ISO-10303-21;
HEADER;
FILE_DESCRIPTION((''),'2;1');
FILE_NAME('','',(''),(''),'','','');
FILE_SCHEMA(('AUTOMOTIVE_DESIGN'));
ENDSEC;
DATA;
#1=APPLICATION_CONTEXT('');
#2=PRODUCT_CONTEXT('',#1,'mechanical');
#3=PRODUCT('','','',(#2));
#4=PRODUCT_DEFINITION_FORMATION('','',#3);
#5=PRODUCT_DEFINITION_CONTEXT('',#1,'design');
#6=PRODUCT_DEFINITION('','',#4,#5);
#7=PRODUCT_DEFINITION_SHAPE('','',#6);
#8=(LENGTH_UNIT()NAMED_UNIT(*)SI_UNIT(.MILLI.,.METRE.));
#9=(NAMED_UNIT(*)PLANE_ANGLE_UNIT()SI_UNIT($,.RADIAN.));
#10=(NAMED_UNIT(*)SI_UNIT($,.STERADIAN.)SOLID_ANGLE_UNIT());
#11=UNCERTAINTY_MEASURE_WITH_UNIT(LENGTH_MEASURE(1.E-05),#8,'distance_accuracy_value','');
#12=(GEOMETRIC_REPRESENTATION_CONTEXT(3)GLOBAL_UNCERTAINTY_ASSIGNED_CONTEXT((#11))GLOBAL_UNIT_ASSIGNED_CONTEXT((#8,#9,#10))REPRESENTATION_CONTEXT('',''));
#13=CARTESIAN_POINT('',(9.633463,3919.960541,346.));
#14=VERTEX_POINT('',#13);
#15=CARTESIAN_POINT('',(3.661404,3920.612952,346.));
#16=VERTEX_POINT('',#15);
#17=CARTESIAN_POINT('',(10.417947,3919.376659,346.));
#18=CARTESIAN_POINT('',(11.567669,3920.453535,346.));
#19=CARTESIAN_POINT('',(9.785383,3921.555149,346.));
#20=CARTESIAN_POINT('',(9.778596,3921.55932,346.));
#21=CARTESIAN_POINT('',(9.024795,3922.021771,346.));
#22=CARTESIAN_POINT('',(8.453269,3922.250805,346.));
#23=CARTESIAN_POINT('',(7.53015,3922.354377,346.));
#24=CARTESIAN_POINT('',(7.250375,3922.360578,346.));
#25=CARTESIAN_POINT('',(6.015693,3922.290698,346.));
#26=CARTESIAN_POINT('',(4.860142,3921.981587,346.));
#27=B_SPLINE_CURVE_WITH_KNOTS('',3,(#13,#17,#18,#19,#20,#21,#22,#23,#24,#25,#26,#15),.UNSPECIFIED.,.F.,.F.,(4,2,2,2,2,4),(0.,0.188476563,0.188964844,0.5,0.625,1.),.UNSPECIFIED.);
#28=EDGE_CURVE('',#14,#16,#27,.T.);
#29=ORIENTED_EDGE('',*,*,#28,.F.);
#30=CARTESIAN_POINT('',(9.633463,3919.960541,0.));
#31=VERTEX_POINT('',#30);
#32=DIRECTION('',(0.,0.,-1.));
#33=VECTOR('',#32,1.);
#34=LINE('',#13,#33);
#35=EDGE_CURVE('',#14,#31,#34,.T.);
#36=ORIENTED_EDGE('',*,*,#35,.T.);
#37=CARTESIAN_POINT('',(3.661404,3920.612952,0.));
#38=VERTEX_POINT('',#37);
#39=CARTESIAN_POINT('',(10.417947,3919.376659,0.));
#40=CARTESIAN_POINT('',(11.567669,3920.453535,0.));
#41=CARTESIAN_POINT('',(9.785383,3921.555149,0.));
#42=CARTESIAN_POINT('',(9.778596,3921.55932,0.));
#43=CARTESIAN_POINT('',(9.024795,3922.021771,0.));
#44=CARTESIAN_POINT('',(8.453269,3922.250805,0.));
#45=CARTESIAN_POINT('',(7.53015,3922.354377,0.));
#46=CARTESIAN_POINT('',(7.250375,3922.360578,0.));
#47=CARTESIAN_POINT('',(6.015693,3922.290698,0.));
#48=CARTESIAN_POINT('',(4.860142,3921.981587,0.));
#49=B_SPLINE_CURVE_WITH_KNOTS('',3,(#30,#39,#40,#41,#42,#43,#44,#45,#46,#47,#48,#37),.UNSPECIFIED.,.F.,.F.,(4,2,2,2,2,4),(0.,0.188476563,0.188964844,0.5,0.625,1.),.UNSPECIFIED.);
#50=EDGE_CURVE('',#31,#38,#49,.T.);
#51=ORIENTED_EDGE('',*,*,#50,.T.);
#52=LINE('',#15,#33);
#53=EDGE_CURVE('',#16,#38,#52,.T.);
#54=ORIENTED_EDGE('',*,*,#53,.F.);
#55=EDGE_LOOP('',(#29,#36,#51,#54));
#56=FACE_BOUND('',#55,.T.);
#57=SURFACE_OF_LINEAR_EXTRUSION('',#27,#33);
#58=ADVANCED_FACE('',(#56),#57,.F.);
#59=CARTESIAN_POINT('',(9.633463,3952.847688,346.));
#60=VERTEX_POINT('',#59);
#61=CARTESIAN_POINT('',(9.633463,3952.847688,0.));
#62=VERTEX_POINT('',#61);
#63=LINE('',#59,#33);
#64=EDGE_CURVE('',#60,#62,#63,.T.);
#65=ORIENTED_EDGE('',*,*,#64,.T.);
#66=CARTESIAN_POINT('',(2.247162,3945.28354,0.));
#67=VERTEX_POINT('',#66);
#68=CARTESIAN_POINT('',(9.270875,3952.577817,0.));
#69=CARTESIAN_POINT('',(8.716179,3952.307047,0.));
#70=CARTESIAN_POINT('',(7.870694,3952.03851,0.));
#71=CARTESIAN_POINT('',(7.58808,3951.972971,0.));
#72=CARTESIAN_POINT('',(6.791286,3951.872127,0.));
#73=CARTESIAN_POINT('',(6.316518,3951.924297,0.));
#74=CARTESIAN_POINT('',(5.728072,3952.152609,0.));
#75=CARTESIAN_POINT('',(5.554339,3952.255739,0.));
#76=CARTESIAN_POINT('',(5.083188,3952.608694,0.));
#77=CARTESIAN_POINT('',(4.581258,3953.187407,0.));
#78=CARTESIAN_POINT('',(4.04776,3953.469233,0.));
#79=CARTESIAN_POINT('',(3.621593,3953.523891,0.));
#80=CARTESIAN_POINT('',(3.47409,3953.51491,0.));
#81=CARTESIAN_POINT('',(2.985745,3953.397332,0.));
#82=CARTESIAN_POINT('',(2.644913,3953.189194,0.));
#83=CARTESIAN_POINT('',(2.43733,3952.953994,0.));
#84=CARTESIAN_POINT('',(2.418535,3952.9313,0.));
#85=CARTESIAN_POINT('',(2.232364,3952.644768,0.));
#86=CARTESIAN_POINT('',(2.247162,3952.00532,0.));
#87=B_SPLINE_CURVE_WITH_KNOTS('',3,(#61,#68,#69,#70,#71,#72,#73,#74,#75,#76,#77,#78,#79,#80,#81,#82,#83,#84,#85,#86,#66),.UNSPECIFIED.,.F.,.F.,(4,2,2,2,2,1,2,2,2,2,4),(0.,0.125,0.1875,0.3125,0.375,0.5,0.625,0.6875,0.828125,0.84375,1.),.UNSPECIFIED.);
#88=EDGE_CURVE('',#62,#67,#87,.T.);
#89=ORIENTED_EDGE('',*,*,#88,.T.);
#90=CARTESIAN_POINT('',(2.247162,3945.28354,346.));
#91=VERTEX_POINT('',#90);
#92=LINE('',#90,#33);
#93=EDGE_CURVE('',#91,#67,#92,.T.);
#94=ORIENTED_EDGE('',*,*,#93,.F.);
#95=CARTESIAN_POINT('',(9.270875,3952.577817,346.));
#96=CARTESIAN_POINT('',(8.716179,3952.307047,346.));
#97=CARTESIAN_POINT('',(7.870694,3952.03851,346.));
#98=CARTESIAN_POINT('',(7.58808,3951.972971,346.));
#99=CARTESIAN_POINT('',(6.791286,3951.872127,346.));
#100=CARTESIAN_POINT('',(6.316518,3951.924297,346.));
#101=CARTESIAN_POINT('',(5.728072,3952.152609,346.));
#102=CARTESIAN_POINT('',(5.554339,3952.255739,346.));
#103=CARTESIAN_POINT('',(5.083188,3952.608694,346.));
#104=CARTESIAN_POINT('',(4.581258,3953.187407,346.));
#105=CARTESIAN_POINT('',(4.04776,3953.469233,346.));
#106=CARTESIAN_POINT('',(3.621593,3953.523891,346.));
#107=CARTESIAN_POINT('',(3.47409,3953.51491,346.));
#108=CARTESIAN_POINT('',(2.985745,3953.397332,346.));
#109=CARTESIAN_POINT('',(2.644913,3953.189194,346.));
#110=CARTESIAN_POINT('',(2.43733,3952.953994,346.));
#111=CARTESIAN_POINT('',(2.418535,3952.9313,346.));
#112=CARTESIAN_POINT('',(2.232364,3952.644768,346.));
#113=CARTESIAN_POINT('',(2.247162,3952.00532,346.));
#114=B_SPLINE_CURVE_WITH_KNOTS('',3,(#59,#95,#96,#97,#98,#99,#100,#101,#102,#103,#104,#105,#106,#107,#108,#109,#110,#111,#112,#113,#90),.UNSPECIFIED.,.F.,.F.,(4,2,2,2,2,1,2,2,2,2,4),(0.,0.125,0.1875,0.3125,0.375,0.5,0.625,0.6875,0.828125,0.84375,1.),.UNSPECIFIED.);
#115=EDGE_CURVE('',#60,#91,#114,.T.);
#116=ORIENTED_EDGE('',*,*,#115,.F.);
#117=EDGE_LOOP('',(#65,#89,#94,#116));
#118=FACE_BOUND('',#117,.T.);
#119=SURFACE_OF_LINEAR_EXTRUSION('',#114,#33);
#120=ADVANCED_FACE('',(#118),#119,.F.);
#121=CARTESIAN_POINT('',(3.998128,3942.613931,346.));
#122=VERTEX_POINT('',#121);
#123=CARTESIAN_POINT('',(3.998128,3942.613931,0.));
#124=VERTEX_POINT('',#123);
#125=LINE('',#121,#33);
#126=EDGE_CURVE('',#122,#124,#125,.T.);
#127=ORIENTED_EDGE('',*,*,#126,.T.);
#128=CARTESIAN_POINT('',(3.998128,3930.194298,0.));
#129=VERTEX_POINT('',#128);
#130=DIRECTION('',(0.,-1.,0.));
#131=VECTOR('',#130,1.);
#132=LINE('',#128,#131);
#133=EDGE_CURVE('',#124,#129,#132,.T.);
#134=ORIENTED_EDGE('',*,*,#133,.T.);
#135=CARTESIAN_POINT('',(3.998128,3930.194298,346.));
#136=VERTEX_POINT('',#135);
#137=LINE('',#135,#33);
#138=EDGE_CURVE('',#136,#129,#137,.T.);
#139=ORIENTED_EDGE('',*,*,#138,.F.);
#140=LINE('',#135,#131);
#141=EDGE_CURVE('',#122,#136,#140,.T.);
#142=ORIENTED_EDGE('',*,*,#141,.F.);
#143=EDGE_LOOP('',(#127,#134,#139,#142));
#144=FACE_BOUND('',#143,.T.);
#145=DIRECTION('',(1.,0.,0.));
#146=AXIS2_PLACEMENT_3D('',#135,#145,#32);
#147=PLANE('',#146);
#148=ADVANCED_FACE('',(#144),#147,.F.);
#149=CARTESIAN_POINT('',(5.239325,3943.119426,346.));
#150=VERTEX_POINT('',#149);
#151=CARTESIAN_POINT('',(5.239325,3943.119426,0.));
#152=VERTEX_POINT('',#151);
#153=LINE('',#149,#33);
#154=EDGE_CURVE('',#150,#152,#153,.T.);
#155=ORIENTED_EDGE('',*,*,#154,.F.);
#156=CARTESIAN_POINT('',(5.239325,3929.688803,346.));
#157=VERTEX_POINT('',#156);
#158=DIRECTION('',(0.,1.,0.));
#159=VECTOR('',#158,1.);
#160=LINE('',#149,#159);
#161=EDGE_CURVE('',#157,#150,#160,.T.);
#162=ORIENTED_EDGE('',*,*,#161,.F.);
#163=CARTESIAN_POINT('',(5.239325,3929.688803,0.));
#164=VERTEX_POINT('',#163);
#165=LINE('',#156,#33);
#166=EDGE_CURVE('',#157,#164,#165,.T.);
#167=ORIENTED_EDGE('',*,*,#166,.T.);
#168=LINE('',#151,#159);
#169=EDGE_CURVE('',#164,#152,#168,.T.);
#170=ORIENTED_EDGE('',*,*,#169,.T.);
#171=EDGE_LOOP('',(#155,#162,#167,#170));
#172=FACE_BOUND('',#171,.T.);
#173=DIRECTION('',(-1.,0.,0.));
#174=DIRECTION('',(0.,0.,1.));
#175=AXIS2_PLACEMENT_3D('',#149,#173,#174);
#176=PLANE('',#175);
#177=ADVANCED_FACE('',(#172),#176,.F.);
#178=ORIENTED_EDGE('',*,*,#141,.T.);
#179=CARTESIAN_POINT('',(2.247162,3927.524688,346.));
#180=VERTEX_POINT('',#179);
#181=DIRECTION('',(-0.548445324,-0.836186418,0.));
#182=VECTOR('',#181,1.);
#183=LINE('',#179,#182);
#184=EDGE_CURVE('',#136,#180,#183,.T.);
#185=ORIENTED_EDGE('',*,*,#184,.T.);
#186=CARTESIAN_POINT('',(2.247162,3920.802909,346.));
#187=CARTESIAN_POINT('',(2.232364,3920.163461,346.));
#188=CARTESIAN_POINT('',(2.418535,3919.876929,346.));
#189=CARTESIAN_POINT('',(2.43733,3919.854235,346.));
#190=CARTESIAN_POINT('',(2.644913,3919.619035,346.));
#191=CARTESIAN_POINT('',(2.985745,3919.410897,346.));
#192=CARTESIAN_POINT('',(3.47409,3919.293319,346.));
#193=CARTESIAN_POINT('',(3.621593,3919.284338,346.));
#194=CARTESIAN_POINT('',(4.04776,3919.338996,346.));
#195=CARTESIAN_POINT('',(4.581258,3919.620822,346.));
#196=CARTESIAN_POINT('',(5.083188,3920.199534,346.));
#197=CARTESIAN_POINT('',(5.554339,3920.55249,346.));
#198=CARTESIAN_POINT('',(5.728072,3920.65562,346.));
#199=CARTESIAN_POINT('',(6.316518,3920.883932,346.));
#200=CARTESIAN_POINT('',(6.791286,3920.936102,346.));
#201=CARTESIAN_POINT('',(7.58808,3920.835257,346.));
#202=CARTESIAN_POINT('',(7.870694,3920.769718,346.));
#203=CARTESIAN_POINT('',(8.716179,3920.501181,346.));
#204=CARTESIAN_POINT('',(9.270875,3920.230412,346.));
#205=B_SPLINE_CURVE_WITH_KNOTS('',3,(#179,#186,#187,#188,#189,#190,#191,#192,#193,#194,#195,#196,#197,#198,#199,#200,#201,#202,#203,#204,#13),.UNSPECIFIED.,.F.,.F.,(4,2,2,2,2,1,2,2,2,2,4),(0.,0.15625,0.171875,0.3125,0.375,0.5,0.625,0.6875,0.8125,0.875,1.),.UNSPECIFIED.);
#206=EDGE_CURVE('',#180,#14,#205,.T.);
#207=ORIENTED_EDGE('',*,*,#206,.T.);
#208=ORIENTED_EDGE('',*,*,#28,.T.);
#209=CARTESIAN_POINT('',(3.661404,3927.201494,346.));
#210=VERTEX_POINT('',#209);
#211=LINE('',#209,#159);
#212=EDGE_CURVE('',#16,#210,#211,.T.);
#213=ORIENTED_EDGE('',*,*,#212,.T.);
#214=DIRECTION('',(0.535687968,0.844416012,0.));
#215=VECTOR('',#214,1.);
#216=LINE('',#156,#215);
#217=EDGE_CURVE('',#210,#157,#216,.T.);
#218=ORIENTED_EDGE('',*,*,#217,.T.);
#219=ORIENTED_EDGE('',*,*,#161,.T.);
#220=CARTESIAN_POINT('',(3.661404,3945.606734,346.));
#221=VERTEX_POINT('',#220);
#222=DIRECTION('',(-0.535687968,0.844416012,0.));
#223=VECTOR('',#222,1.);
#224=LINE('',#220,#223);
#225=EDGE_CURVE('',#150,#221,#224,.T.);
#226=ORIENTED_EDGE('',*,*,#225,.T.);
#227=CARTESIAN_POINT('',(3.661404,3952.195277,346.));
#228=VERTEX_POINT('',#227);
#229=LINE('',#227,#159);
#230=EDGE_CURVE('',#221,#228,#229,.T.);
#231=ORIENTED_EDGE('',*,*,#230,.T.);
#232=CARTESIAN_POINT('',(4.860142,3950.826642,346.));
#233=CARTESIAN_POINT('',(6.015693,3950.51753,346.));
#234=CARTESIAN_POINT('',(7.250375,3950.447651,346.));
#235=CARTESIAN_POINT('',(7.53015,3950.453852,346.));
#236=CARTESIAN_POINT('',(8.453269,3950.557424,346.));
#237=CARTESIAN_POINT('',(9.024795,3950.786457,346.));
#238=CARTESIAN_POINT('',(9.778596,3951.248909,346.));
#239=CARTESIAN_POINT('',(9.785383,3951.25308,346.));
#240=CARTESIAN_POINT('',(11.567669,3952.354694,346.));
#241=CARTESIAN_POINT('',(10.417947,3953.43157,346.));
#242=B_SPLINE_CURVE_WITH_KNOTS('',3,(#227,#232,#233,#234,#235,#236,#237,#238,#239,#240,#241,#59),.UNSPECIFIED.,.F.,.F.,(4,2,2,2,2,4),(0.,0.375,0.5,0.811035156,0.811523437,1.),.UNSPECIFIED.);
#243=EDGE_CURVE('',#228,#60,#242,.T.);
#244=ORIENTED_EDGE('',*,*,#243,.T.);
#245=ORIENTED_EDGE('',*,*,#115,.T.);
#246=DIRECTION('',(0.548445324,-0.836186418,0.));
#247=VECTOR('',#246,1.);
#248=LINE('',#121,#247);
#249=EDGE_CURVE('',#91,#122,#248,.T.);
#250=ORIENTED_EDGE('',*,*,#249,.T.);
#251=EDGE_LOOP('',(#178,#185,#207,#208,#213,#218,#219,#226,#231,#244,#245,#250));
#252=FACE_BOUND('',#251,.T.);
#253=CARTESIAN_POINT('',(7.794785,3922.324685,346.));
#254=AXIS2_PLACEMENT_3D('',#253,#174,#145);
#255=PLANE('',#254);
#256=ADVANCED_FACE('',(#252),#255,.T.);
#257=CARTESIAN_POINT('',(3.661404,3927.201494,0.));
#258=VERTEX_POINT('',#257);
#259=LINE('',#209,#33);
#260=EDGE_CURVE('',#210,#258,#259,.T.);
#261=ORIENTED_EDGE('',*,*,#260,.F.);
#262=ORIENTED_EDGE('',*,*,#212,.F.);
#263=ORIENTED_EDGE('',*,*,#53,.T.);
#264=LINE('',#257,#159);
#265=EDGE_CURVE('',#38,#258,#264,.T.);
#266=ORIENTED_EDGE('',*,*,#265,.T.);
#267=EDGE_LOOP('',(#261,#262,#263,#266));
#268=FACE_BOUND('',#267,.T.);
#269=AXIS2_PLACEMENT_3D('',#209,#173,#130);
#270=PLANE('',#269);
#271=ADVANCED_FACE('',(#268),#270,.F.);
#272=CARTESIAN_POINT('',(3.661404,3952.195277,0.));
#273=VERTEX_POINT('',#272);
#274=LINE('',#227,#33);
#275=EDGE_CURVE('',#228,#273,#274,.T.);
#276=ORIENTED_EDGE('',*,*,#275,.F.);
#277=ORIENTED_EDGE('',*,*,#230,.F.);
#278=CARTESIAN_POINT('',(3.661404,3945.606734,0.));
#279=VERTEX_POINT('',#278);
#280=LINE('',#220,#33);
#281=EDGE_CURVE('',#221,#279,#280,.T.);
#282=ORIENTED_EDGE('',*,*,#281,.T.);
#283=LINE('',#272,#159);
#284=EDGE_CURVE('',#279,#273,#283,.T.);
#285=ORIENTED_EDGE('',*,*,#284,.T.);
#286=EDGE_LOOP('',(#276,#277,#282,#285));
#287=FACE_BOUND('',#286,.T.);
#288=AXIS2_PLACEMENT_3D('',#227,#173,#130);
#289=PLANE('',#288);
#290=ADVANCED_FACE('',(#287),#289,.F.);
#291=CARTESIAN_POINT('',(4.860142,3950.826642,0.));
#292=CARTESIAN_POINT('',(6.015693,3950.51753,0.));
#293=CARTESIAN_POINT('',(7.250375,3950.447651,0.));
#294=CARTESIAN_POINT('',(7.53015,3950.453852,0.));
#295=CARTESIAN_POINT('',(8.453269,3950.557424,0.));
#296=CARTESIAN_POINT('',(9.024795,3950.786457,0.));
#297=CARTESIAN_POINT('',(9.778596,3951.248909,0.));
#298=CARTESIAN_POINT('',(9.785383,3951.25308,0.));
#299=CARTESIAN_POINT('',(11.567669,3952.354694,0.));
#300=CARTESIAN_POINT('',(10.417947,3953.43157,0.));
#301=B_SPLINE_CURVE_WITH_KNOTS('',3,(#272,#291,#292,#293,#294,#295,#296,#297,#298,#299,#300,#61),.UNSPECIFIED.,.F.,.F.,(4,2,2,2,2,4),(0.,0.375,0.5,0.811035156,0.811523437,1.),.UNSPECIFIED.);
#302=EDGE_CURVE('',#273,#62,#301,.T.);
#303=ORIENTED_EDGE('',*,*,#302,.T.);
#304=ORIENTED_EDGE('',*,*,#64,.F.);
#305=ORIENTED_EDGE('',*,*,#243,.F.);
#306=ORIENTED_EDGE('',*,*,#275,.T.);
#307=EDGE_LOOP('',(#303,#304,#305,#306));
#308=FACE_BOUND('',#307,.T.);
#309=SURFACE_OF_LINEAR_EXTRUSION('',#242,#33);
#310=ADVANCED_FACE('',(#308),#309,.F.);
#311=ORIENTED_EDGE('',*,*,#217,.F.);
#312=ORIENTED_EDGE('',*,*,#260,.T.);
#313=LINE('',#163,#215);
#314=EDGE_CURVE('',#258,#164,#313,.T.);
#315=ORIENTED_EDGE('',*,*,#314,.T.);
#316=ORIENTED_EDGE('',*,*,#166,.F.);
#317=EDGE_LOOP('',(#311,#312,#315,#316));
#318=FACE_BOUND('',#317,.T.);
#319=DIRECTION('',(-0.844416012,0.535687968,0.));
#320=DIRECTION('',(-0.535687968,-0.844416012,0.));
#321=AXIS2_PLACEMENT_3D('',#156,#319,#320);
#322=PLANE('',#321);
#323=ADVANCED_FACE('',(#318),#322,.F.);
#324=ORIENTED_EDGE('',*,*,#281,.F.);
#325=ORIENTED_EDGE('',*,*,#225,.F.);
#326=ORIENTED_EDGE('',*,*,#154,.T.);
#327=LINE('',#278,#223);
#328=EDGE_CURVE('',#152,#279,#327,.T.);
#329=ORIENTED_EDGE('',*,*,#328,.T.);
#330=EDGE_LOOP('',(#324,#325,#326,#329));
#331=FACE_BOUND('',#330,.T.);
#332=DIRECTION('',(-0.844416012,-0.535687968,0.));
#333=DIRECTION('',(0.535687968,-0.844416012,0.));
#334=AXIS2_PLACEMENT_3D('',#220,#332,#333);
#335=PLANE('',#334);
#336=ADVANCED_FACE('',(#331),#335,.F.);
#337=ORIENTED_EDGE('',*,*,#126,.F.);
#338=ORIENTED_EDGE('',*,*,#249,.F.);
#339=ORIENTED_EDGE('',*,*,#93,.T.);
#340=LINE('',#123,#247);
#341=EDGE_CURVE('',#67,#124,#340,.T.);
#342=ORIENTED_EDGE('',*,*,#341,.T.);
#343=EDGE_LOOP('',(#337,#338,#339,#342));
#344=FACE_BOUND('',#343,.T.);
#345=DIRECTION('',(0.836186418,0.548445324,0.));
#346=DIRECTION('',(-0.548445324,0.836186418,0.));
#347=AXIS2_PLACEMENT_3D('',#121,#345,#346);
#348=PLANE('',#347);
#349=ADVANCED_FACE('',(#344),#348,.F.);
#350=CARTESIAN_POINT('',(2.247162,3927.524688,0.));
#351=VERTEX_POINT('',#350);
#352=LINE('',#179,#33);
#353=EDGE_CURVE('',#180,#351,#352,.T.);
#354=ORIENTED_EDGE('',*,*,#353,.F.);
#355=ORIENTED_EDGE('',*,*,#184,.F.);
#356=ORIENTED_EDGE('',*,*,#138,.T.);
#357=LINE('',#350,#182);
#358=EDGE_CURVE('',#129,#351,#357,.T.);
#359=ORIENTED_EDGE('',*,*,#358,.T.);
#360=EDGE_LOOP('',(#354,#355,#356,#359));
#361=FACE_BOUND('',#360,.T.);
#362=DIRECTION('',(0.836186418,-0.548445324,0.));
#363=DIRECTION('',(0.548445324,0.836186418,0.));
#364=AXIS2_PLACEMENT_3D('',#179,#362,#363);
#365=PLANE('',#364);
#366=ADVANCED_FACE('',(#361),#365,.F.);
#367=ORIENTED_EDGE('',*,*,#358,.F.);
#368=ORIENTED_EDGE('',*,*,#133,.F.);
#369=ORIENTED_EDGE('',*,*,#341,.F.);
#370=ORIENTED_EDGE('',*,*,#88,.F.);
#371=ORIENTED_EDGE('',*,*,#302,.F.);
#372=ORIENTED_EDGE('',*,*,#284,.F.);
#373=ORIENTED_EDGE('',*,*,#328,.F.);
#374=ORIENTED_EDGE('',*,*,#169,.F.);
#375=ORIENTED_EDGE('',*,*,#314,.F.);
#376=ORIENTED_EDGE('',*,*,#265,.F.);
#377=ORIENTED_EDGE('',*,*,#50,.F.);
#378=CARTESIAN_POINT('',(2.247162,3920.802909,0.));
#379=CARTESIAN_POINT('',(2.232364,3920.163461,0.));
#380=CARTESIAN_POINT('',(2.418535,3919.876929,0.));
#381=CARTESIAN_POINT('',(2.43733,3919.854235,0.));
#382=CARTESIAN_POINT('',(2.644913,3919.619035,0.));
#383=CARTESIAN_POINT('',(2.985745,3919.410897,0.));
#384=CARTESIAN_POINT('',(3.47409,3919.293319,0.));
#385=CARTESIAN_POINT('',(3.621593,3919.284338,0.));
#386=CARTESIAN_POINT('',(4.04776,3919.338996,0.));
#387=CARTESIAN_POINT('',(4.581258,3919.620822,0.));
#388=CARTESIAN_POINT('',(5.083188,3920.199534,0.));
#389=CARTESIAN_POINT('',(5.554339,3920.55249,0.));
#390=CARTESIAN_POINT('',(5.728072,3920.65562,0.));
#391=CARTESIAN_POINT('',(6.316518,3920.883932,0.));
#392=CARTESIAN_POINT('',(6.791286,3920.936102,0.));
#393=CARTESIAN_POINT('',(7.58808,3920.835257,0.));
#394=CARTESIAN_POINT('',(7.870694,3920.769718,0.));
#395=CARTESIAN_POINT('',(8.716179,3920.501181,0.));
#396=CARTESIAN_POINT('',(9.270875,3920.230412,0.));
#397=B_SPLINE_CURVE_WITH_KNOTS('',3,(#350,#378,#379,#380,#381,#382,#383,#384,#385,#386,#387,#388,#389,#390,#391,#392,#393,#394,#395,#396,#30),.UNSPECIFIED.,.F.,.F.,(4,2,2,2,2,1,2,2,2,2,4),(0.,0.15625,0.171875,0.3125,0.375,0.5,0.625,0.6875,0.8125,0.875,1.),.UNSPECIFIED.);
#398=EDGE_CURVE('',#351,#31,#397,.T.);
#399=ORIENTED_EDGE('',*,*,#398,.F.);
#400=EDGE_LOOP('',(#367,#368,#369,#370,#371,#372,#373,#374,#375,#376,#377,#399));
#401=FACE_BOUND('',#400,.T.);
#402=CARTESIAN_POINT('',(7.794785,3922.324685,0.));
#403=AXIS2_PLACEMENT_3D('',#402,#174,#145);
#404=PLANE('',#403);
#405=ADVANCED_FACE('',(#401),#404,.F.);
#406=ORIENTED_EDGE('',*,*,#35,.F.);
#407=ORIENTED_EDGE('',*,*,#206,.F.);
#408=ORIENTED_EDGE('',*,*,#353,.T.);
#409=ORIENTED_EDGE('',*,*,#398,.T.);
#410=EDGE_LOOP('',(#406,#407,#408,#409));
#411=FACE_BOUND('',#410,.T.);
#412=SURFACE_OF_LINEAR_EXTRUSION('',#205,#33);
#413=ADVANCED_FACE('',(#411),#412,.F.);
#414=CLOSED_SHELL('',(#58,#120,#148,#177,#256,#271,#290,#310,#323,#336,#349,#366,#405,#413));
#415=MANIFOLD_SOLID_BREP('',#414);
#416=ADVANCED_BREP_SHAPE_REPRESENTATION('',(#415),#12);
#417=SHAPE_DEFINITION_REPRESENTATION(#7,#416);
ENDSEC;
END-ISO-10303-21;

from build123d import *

# Parameters (mm, degrees)
BOSS_EXTRUDE1_DEPTH = 346


with BuildPart() as part:
    # Sketch1 → Boss-Extrude1 (new body)
    with BuildSketch(Plane.XY):
        with BuildLine():
            Line((3.998128431, 3930.19429763), (3.998128431, 3942.61393117))
            Line((3.998128431, 3942.61393117), (2.24716154, 3945.283540463))
            add(Edge.make_bspline(
                [(2.24716154, 3945.283540463), (2.24716154, 3952.005320214), (2.232364081, 3952.64476798), (2.418534613, 3952.931300145), (2.437330297, 3952.953993873), (2.644913472, 3953.189193699), (2.985745197, 3953.397331776), (3.474090119, 3953.514910023), (3.621593384, 3953.523890776), (4.047760205, 3953.46923312), (4.58125793, 3953.187406687), (5.083187742, 3952.608694393), (5.554338839, 3952.255739055), (5.72807197, 3952.152608867), (6.316517593, 3951.924297186), (6.791285846, 3951.872127026), (7.588079693, 3951.972971408), (7.870693848, 3952.038510337), (8.716179179, 3952.307047358), (9.270874628, 3952.577817288), (9.633463159, 3952.847687913)],
                knots=[0, 0, 0, 0, 0.15625, 0.15625, 0.171875, 0.171875, 0.3125, 0.3125, 0.375, 0.375, 0.5, 0.625, 0.625, 0.6875, 0.6875, 0.8125, 0.8125, 0.875, 0.875, 1, 1, 1, 1], degree=3))
            add(Edge.make_bspline(
                [(9.633463159, 3952.847687913), (10.417946549, 3953.431570206), (11.567668705, 3952.354694242), (9.785383498, 3951.25308009), (9.778595571, 3951.248908712), (9.024795297, 3950.786457422), (8.453268543, 3950.557423937), (7.530150442, 3950.453852262), (7.250375188, 3950.447650833), (6.015693334, 3950.517530338), (4.860141708, 3950.826642053), (3.661404029, 3952.195277246)],
                knots=[0, 0, 0, 0, 0.188476563, 0.188476563, 0.188964844, 0.188964844, 0.5, 0.5, 0.625, 0.625, 1, 1, 1, 1], degree=3))
            Line((3.661404029, 3952.195277246), (3.661404029, 3945.606734335))
            Line((3.661404029, 3945.606734335), (5.239324609, 3943.119425521))
            Line((5.239324609, 3943.119425521), (5.239324609, 3929.688803279))
            Line((5.239324609, 3929.688803279), (3.661404029, 3927.201494466))
            Line((3.661404029, 3927.201494466), (3.661404029, 3920.612951555))
            add(Edge.make_bspline(
                [(3.661404029, 3920.612951555), (4.860141708, 3921.981586748), (6.015693334, 3922.290698463), (7.250375188, 3922.360577968), (7.530150442, 3922.354376539), (8.453268543, 3922.250804863), (9.024795297, 3922.021771379), (9.778595571, 3921.559320088), (9.785383498, 3921.555148711), (11.567668705, 3920.453534559), (10.417946549, 3919.376658594), (9.633463159, 3919.960540887)],
                knots=[0, 0, 0, 0, 0.375, 0.375, 0.5, 0.5, 0.811035156, 0.811035156, 0.811523437, 0.811523437, 1, 1, 1, 1], degree=3))
            add(Edge.make_bspline(
                [(9.633463159, 3919.960540887), (9.270874628, 3920.230411512), (8.716179179, 3920.501181443), (7.870693848, 3920.769718464), (7.588079693, 3920.835257393), (6.791285846, 3920.936101775), (6.316517593, 3920.883931614), (5.72807197, 3920.655619933), (5.554338839, 3920.552489745), (5.083187742, 3920.199534408), (4.58125793, 3919.620822113), (4.047760205, 3919.33899568), (3.621593384, 3919.284338025), (3.474090119, 3919.293318777), (2.985745197, 3919.410897024), (2.644913472, 3919.619035102), (2.437330297, 3919.854234927), (2.418534613, 3919.876928656), (2.232364081, 3920.163460821), (2.24716154, 3920.802908586), (2.24716154, 3927.524688337)],
                knots=[0, 0, 0, 0, 0.125, 0.125, 0.1875, 0.1875, 0.3125, 0.3125, 0.375, 0.375, 0.5, 0.625, 0.625, 0.6875, 0.6875, 0.828125, 0.828125, 0.84375, 0.84375, 1, 1, 1, 1], degree=3))
            Line((2.24716154, 3927.524688337), (3.998128431, 3930.19429763))
        make_face()
    extrude(amount=BOSS_EXTRUDE1_DEPTH)


solid = part.part
